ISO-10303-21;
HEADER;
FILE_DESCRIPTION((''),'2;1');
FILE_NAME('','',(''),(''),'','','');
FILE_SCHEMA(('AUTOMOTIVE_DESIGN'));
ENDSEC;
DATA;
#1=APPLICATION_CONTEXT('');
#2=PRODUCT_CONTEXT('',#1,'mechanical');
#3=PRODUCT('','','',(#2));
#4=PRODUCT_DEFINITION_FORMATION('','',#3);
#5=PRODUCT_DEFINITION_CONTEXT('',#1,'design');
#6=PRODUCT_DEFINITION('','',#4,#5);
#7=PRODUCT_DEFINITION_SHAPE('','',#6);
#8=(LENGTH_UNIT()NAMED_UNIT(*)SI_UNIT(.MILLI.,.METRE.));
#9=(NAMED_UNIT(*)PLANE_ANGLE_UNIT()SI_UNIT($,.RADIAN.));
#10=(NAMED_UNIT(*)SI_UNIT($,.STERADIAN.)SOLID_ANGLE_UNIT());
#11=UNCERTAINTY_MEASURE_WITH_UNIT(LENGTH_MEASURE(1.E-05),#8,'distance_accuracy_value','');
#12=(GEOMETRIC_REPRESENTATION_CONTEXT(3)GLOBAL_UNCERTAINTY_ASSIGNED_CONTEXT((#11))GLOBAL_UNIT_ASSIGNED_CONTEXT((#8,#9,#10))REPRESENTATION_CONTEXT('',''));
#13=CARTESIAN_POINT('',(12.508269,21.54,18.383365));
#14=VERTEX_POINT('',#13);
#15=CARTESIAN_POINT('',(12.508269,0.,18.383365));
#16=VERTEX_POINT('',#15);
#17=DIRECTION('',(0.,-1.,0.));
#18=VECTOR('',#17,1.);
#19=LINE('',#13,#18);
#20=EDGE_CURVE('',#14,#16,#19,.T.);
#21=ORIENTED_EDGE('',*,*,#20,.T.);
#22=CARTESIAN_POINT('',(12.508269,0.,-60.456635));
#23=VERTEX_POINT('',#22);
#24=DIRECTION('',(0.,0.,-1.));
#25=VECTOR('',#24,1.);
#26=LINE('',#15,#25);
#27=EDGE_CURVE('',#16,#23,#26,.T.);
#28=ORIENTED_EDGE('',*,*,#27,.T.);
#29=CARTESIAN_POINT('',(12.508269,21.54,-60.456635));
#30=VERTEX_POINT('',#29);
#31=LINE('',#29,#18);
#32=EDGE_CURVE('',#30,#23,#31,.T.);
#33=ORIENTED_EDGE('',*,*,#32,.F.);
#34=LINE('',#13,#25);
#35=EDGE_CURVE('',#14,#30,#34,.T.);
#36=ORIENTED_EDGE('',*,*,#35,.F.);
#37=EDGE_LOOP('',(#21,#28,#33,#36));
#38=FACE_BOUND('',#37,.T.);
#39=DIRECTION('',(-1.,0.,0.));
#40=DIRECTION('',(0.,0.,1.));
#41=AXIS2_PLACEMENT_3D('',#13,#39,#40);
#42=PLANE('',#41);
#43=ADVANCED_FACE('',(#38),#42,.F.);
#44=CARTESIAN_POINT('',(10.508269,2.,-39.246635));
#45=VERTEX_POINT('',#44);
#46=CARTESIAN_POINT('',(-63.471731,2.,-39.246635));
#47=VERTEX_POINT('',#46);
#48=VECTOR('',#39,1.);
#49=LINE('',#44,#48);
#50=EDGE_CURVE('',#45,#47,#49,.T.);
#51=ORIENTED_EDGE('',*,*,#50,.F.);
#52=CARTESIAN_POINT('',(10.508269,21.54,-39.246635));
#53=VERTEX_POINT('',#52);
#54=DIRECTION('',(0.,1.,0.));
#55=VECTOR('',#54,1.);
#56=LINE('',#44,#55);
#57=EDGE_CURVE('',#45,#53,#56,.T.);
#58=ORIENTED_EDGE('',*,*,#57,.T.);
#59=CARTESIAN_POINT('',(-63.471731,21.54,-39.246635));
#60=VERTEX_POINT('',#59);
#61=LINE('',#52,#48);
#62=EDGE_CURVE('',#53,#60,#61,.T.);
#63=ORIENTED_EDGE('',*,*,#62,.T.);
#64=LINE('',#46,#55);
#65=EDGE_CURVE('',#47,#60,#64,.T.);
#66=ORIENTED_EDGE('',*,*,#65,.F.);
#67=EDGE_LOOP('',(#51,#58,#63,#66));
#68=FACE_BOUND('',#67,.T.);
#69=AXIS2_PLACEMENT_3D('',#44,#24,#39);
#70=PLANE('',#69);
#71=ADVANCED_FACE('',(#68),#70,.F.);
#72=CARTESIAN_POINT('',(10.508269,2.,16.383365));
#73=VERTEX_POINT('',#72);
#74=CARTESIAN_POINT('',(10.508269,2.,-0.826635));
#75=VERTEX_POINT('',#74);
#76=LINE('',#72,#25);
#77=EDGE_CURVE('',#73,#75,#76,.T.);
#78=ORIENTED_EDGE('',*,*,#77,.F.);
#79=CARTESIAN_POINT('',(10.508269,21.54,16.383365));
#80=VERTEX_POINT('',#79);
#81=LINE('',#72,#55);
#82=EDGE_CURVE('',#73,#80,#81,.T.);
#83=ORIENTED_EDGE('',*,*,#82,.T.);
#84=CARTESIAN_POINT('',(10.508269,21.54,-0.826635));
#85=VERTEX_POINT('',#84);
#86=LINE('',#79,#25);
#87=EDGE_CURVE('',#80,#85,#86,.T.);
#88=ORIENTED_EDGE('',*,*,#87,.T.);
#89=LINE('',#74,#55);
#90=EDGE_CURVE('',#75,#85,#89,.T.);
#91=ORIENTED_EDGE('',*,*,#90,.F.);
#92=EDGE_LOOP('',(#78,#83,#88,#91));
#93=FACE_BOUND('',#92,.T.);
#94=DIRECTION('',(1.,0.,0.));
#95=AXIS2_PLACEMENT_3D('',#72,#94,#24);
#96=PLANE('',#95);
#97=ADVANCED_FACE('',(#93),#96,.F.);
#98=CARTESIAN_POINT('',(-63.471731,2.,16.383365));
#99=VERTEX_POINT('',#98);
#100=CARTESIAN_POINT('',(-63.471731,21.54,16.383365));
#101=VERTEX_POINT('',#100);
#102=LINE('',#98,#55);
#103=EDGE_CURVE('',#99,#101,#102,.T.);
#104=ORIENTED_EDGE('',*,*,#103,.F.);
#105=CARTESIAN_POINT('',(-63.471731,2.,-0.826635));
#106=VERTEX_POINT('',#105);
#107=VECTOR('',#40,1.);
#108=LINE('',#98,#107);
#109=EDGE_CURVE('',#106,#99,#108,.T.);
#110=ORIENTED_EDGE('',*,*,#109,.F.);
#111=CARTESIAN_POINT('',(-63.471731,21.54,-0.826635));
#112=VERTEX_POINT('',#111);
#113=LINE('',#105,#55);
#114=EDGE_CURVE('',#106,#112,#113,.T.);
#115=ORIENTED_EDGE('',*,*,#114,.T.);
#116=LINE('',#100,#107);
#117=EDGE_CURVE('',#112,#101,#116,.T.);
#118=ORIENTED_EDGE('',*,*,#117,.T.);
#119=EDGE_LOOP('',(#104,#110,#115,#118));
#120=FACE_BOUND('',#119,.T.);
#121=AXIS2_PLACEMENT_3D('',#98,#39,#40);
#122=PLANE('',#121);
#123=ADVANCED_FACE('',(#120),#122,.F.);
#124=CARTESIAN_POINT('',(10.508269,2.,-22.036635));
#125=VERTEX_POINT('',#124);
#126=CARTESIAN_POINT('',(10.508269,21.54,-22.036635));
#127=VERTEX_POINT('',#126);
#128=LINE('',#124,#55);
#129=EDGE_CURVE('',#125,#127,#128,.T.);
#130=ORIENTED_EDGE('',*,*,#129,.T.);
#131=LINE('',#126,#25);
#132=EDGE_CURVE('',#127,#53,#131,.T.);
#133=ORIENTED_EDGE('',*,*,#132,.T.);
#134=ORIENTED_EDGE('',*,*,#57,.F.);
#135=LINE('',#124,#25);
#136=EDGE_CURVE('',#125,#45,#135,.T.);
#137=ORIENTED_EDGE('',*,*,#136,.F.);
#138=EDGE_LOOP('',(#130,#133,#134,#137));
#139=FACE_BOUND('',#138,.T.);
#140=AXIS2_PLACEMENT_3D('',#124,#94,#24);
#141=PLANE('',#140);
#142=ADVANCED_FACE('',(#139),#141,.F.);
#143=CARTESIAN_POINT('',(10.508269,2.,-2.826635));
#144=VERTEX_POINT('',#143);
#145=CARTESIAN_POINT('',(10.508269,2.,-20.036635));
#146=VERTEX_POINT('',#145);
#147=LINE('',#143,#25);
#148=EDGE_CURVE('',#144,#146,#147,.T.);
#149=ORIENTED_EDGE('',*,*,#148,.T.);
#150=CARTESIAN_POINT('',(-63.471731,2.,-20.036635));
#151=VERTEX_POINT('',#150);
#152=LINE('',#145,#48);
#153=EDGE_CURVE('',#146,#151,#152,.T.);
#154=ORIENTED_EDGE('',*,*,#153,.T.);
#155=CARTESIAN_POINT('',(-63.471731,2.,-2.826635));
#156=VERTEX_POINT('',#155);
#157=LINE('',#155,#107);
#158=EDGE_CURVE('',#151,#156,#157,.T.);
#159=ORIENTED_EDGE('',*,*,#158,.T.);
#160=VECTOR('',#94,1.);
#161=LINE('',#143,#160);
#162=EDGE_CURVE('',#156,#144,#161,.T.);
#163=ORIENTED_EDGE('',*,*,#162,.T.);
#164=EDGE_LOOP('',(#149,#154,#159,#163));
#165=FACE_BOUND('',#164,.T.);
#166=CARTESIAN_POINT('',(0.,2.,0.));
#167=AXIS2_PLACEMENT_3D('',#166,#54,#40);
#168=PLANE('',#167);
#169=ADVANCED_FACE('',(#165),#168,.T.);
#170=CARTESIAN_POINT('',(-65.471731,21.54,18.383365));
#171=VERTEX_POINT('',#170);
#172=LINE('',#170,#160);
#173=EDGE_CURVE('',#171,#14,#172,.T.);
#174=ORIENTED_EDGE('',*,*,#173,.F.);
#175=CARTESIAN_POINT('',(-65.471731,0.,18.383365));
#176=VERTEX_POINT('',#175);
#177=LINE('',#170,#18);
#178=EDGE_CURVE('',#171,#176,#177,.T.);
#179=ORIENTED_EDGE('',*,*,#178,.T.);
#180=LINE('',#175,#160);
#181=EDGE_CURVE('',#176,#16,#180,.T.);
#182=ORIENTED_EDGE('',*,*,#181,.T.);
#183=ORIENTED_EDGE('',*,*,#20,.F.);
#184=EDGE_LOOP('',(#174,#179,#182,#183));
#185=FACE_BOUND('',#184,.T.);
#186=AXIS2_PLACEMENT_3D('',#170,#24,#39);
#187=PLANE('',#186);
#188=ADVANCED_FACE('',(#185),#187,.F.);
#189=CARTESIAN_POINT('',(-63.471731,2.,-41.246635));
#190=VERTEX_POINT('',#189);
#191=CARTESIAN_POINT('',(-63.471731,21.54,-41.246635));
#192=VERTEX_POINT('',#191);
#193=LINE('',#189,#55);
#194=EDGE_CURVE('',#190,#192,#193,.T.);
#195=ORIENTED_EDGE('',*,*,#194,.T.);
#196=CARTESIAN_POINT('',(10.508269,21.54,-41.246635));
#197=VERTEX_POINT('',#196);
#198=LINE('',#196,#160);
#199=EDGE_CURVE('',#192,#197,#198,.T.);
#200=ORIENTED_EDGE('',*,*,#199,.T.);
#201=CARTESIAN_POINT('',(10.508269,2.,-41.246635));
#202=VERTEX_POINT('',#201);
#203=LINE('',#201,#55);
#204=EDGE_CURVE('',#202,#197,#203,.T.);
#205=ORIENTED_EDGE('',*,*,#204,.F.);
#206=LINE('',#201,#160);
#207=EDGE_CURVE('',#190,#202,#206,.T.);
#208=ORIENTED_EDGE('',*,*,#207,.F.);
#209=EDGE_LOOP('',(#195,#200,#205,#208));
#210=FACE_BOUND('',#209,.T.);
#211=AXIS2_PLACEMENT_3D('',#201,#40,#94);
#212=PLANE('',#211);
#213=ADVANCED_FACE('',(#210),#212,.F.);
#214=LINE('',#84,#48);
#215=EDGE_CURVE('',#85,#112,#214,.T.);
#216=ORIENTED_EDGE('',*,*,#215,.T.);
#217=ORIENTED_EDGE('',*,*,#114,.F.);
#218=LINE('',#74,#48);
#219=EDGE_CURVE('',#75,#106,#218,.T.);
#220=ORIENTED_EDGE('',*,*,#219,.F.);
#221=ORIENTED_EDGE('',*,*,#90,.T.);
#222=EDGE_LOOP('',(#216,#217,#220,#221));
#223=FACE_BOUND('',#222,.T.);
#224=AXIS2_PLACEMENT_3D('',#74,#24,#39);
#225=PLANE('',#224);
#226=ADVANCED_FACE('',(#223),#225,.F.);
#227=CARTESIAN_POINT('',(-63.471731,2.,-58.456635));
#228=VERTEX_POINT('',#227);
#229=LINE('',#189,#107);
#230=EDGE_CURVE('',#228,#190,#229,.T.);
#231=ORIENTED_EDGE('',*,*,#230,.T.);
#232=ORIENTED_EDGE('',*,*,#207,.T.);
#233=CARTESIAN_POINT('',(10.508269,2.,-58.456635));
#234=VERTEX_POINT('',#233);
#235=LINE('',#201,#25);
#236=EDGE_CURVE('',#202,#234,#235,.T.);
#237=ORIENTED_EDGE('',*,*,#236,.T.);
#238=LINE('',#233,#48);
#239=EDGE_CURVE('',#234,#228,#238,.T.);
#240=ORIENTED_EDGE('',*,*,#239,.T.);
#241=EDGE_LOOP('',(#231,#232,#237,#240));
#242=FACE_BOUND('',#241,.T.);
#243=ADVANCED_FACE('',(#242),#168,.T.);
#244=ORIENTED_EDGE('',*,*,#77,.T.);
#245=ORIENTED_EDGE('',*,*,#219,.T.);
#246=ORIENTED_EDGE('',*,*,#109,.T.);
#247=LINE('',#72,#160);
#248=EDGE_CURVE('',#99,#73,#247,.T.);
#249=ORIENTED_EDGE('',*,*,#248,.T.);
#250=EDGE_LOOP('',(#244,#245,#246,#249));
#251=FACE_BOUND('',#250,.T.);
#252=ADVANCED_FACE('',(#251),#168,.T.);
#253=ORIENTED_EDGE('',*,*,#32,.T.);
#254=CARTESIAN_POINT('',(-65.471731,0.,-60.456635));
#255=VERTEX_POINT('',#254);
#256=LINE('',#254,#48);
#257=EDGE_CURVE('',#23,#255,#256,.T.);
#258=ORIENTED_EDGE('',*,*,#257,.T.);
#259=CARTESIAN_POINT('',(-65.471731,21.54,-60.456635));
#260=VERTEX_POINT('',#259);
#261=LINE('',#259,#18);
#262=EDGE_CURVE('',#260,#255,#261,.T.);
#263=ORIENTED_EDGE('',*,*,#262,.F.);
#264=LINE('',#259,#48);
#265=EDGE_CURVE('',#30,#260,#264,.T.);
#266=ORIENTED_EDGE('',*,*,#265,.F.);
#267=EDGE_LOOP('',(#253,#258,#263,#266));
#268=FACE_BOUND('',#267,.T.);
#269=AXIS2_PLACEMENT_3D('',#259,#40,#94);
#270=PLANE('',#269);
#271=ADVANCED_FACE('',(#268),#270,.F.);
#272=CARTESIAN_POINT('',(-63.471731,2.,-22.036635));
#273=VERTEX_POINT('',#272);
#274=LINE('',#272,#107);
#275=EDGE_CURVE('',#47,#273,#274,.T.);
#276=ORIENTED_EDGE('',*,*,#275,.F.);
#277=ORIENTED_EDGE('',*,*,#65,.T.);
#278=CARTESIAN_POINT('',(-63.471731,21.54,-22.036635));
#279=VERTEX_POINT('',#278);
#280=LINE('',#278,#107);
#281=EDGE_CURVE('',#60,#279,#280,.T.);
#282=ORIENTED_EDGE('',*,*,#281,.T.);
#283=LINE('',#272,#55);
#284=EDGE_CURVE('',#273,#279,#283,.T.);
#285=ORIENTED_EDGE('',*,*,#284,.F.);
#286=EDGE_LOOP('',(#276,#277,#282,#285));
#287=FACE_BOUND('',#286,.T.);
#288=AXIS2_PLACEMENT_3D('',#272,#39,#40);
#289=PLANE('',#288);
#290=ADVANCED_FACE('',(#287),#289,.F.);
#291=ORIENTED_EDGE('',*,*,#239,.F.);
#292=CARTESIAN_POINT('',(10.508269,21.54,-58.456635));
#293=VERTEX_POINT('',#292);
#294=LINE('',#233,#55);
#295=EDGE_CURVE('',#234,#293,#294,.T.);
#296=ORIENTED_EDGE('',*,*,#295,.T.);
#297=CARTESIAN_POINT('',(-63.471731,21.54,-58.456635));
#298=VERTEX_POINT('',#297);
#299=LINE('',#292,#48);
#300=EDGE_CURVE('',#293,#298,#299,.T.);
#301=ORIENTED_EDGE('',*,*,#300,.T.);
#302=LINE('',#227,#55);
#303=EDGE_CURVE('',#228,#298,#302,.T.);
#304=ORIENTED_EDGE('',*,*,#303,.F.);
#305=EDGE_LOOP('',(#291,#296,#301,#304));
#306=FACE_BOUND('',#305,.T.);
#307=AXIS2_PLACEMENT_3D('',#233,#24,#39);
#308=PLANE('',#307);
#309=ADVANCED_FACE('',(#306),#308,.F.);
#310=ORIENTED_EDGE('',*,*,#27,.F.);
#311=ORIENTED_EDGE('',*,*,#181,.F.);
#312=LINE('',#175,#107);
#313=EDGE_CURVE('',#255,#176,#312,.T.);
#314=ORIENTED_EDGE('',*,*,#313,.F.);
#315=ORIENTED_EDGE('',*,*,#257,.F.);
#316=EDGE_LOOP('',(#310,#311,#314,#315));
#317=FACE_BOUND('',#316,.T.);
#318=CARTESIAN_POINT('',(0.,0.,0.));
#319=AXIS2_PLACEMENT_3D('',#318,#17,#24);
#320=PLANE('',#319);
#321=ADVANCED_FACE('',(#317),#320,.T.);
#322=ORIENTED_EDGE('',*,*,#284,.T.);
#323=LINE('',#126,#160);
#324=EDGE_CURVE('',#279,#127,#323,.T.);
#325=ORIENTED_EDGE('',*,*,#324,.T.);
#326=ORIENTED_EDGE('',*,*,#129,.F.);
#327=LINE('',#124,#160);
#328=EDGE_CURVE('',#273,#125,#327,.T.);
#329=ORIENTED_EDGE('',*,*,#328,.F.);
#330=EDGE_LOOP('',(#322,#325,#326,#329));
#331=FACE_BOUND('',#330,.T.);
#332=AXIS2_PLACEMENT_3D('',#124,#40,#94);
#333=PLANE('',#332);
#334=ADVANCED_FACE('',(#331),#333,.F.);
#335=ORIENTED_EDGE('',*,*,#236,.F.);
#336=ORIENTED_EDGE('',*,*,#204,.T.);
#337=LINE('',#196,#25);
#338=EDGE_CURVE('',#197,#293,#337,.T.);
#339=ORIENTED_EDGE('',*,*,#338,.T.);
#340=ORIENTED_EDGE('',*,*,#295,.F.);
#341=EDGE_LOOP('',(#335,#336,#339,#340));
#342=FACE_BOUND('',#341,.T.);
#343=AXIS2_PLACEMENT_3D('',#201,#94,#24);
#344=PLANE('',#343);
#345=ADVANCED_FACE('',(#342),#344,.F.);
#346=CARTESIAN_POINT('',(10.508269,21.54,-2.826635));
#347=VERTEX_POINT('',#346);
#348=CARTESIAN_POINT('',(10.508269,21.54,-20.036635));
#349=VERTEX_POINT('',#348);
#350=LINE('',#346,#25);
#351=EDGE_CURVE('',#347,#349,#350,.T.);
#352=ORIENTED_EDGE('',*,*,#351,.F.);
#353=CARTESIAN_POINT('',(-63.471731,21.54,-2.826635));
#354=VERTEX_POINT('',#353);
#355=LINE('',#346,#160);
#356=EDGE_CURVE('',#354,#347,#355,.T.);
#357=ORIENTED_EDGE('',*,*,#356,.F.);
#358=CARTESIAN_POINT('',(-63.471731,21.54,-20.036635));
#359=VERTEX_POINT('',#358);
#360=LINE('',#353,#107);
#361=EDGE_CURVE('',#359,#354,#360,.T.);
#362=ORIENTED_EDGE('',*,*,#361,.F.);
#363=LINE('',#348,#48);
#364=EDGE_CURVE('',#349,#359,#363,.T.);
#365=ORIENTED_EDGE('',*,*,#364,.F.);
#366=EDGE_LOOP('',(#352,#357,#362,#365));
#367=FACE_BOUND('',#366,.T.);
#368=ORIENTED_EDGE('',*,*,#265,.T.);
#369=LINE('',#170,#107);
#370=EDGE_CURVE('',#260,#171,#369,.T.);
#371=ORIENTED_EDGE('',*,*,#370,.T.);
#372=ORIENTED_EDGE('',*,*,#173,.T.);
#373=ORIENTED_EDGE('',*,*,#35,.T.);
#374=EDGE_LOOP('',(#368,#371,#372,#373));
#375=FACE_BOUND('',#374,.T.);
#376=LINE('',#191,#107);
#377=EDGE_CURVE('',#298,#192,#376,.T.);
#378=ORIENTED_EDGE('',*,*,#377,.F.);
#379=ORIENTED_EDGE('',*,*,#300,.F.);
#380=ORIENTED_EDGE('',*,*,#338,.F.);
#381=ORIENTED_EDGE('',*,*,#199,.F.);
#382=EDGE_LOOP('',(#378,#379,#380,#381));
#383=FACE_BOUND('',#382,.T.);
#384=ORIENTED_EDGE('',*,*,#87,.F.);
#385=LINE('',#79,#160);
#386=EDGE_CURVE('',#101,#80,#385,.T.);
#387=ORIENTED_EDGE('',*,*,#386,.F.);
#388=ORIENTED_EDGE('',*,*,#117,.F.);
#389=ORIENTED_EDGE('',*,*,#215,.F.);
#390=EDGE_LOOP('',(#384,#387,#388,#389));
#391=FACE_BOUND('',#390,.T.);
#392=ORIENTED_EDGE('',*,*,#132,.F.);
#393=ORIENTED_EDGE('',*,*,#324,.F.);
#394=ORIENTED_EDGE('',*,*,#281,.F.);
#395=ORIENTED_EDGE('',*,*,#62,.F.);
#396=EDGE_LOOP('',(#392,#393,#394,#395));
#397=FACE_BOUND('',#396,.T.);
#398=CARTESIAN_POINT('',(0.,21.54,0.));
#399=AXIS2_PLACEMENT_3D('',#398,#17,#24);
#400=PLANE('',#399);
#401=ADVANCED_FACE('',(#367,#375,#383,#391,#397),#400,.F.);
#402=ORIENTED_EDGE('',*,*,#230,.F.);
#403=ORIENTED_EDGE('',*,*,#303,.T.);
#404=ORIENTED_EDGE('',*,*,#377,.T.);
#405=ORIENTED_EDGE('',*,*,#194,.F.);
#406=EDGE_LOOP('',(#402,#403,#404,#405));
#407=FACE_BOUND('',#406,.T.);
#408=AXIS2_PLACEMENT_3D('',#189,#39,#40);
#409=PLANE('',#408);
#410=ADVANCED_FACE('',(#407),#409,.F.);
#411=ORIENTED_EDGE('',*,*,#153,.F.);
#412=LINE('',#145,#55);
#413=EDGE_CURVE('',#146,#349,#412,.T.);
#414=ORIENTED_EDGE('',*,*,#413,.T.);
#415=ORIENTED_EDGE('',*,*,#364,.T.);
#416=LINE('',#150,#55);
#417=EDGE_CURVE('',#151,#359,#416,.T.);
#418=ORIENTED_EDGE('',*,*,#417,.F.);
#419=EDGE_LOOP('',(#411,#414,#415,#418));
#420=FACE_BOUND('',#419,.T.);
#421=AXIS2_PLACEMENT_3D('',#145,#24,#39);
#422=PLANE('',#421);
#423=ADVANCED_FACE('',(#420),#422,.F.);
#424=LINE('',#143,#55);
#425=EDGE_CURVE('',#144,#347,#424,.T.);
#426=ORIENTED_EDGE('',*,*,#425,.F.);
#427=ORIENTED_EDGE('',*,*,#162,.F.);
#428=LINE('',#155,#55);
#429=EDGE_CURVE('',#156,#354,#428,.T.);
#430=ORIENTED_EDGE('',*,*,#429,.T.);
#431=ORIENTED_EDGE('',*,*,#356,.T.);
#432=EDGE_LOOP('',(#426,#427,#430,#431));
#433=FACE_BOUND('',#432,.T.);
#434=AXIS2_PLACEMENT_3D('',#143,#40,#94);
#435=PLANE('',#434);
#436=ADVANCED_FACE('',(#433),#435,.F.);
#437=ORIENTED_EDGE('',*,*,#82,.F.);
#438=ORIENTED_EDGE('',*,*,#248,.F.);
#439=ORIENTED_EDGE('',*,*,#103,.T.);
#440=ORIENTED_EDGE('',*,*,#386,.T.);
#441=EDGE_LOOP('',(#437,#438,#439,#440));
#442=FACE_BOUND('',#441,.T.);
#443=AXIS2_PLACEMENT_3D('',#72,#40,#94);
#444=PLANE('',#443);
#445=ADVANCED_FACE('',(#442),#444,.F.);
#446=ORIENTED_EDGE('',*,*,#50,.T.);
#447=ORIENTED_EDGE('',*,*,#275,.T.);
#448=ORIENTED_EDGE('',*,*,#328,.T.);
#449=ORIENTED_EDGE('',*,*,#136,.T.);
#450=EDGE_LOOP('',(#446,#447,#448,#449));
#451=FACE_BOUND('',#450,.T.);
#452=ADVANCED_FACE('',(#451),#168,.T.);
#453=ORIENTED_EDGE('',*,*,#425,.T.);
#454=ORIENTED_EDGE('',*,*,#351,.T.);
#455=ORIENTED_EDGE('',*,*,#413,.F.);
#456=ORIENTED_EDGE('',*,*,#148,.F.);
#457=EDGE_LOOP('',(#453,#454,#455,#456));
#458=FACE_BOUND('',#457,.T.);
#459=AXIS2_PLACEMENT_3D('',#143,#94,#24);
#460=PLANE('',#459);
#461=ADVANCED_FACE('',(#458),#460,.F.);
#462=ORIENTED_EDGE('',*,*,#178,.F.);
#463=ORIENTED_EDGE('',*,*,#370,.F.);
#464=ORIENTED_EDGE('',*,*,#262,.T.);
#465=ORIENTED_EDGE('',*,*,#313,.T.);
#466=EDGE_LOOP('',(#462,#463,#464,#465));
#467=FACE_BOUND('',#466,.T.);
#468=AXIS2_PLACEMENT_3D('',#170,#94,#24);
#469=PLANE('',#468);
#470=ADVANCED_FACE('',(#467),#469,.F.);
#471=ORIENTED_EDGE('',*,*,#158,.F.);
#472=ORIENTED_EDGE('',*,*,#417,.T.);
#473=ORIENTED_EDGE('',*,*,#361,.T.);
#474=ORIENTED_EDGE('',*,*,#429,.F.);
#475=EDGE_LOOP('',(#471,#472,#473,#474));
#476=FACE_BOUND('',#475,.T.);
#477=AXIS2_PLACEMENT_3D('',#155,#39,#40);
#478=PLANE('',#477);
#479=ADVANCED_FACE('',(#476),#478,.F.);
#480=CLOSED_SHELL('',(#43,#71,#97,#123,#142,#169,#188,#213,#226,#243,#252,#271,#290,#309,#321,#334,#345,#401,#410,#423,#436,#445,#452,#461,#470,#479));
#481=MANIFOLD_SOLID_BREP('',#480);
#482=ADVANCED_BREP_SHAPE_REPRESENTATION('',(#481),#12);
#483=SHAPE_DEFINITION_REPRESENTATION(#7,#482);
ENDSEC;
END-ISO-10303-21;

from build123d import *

# Parameters (mm, degrees)
SKETCH1_W           = 77.98
SKETCH1_H           = 78.84
BOSS_EXTRUDE1_DEPTH = 21.54
SKETCH4_W           = 73.98
SKETCH4_H           = 17.21
CUT_EXTRUDE2_DEPTH  = 19.54


with BuildPart() as part:
    # Sketch1 → Boss-Extrude1 (new body)
    with BuildSketch(Plane(origin=(0, 0, 0), x_dir=(1, 0, 0), z_dir=(0, 1, 0))):
        with Locations((-26.481730769, 21.036634615)):
            Rectangle(SKETCH1_W, SKETCH1_H)
    extrude(amount=BOSS_EXTRUDE1_DEPTH)

    # Sketch4 → Cut-Extrude2 (cut)
    with BuildSketch(Plane(origin=(0, 21.54, 0), x_dir=(1, 0, 0), z_dir=(0, 1, 0))):
        with Locations((-26.481730769, -7.778365385)):
            Rectangle(SKETCH4_W, SKETCH4_H)
        with Locations((-26.481730769, 11.431634615)):
            Rectangle(SKETCH4_W, SKETCH4_H)
        with Locations((-26.481730769, 30.641634615)):
            Rectangle(SKETCH4_W, SKETCH4_H)
        with Locations((-26.481730769, 49.851634615)):
            Rectangle(SKETCH4_W, SKETCH4_H)
    extrude(amount=-CUT_EXTRUDE2_DEPTH, mode=Mode.SUBTRACT)


solid = part.part
